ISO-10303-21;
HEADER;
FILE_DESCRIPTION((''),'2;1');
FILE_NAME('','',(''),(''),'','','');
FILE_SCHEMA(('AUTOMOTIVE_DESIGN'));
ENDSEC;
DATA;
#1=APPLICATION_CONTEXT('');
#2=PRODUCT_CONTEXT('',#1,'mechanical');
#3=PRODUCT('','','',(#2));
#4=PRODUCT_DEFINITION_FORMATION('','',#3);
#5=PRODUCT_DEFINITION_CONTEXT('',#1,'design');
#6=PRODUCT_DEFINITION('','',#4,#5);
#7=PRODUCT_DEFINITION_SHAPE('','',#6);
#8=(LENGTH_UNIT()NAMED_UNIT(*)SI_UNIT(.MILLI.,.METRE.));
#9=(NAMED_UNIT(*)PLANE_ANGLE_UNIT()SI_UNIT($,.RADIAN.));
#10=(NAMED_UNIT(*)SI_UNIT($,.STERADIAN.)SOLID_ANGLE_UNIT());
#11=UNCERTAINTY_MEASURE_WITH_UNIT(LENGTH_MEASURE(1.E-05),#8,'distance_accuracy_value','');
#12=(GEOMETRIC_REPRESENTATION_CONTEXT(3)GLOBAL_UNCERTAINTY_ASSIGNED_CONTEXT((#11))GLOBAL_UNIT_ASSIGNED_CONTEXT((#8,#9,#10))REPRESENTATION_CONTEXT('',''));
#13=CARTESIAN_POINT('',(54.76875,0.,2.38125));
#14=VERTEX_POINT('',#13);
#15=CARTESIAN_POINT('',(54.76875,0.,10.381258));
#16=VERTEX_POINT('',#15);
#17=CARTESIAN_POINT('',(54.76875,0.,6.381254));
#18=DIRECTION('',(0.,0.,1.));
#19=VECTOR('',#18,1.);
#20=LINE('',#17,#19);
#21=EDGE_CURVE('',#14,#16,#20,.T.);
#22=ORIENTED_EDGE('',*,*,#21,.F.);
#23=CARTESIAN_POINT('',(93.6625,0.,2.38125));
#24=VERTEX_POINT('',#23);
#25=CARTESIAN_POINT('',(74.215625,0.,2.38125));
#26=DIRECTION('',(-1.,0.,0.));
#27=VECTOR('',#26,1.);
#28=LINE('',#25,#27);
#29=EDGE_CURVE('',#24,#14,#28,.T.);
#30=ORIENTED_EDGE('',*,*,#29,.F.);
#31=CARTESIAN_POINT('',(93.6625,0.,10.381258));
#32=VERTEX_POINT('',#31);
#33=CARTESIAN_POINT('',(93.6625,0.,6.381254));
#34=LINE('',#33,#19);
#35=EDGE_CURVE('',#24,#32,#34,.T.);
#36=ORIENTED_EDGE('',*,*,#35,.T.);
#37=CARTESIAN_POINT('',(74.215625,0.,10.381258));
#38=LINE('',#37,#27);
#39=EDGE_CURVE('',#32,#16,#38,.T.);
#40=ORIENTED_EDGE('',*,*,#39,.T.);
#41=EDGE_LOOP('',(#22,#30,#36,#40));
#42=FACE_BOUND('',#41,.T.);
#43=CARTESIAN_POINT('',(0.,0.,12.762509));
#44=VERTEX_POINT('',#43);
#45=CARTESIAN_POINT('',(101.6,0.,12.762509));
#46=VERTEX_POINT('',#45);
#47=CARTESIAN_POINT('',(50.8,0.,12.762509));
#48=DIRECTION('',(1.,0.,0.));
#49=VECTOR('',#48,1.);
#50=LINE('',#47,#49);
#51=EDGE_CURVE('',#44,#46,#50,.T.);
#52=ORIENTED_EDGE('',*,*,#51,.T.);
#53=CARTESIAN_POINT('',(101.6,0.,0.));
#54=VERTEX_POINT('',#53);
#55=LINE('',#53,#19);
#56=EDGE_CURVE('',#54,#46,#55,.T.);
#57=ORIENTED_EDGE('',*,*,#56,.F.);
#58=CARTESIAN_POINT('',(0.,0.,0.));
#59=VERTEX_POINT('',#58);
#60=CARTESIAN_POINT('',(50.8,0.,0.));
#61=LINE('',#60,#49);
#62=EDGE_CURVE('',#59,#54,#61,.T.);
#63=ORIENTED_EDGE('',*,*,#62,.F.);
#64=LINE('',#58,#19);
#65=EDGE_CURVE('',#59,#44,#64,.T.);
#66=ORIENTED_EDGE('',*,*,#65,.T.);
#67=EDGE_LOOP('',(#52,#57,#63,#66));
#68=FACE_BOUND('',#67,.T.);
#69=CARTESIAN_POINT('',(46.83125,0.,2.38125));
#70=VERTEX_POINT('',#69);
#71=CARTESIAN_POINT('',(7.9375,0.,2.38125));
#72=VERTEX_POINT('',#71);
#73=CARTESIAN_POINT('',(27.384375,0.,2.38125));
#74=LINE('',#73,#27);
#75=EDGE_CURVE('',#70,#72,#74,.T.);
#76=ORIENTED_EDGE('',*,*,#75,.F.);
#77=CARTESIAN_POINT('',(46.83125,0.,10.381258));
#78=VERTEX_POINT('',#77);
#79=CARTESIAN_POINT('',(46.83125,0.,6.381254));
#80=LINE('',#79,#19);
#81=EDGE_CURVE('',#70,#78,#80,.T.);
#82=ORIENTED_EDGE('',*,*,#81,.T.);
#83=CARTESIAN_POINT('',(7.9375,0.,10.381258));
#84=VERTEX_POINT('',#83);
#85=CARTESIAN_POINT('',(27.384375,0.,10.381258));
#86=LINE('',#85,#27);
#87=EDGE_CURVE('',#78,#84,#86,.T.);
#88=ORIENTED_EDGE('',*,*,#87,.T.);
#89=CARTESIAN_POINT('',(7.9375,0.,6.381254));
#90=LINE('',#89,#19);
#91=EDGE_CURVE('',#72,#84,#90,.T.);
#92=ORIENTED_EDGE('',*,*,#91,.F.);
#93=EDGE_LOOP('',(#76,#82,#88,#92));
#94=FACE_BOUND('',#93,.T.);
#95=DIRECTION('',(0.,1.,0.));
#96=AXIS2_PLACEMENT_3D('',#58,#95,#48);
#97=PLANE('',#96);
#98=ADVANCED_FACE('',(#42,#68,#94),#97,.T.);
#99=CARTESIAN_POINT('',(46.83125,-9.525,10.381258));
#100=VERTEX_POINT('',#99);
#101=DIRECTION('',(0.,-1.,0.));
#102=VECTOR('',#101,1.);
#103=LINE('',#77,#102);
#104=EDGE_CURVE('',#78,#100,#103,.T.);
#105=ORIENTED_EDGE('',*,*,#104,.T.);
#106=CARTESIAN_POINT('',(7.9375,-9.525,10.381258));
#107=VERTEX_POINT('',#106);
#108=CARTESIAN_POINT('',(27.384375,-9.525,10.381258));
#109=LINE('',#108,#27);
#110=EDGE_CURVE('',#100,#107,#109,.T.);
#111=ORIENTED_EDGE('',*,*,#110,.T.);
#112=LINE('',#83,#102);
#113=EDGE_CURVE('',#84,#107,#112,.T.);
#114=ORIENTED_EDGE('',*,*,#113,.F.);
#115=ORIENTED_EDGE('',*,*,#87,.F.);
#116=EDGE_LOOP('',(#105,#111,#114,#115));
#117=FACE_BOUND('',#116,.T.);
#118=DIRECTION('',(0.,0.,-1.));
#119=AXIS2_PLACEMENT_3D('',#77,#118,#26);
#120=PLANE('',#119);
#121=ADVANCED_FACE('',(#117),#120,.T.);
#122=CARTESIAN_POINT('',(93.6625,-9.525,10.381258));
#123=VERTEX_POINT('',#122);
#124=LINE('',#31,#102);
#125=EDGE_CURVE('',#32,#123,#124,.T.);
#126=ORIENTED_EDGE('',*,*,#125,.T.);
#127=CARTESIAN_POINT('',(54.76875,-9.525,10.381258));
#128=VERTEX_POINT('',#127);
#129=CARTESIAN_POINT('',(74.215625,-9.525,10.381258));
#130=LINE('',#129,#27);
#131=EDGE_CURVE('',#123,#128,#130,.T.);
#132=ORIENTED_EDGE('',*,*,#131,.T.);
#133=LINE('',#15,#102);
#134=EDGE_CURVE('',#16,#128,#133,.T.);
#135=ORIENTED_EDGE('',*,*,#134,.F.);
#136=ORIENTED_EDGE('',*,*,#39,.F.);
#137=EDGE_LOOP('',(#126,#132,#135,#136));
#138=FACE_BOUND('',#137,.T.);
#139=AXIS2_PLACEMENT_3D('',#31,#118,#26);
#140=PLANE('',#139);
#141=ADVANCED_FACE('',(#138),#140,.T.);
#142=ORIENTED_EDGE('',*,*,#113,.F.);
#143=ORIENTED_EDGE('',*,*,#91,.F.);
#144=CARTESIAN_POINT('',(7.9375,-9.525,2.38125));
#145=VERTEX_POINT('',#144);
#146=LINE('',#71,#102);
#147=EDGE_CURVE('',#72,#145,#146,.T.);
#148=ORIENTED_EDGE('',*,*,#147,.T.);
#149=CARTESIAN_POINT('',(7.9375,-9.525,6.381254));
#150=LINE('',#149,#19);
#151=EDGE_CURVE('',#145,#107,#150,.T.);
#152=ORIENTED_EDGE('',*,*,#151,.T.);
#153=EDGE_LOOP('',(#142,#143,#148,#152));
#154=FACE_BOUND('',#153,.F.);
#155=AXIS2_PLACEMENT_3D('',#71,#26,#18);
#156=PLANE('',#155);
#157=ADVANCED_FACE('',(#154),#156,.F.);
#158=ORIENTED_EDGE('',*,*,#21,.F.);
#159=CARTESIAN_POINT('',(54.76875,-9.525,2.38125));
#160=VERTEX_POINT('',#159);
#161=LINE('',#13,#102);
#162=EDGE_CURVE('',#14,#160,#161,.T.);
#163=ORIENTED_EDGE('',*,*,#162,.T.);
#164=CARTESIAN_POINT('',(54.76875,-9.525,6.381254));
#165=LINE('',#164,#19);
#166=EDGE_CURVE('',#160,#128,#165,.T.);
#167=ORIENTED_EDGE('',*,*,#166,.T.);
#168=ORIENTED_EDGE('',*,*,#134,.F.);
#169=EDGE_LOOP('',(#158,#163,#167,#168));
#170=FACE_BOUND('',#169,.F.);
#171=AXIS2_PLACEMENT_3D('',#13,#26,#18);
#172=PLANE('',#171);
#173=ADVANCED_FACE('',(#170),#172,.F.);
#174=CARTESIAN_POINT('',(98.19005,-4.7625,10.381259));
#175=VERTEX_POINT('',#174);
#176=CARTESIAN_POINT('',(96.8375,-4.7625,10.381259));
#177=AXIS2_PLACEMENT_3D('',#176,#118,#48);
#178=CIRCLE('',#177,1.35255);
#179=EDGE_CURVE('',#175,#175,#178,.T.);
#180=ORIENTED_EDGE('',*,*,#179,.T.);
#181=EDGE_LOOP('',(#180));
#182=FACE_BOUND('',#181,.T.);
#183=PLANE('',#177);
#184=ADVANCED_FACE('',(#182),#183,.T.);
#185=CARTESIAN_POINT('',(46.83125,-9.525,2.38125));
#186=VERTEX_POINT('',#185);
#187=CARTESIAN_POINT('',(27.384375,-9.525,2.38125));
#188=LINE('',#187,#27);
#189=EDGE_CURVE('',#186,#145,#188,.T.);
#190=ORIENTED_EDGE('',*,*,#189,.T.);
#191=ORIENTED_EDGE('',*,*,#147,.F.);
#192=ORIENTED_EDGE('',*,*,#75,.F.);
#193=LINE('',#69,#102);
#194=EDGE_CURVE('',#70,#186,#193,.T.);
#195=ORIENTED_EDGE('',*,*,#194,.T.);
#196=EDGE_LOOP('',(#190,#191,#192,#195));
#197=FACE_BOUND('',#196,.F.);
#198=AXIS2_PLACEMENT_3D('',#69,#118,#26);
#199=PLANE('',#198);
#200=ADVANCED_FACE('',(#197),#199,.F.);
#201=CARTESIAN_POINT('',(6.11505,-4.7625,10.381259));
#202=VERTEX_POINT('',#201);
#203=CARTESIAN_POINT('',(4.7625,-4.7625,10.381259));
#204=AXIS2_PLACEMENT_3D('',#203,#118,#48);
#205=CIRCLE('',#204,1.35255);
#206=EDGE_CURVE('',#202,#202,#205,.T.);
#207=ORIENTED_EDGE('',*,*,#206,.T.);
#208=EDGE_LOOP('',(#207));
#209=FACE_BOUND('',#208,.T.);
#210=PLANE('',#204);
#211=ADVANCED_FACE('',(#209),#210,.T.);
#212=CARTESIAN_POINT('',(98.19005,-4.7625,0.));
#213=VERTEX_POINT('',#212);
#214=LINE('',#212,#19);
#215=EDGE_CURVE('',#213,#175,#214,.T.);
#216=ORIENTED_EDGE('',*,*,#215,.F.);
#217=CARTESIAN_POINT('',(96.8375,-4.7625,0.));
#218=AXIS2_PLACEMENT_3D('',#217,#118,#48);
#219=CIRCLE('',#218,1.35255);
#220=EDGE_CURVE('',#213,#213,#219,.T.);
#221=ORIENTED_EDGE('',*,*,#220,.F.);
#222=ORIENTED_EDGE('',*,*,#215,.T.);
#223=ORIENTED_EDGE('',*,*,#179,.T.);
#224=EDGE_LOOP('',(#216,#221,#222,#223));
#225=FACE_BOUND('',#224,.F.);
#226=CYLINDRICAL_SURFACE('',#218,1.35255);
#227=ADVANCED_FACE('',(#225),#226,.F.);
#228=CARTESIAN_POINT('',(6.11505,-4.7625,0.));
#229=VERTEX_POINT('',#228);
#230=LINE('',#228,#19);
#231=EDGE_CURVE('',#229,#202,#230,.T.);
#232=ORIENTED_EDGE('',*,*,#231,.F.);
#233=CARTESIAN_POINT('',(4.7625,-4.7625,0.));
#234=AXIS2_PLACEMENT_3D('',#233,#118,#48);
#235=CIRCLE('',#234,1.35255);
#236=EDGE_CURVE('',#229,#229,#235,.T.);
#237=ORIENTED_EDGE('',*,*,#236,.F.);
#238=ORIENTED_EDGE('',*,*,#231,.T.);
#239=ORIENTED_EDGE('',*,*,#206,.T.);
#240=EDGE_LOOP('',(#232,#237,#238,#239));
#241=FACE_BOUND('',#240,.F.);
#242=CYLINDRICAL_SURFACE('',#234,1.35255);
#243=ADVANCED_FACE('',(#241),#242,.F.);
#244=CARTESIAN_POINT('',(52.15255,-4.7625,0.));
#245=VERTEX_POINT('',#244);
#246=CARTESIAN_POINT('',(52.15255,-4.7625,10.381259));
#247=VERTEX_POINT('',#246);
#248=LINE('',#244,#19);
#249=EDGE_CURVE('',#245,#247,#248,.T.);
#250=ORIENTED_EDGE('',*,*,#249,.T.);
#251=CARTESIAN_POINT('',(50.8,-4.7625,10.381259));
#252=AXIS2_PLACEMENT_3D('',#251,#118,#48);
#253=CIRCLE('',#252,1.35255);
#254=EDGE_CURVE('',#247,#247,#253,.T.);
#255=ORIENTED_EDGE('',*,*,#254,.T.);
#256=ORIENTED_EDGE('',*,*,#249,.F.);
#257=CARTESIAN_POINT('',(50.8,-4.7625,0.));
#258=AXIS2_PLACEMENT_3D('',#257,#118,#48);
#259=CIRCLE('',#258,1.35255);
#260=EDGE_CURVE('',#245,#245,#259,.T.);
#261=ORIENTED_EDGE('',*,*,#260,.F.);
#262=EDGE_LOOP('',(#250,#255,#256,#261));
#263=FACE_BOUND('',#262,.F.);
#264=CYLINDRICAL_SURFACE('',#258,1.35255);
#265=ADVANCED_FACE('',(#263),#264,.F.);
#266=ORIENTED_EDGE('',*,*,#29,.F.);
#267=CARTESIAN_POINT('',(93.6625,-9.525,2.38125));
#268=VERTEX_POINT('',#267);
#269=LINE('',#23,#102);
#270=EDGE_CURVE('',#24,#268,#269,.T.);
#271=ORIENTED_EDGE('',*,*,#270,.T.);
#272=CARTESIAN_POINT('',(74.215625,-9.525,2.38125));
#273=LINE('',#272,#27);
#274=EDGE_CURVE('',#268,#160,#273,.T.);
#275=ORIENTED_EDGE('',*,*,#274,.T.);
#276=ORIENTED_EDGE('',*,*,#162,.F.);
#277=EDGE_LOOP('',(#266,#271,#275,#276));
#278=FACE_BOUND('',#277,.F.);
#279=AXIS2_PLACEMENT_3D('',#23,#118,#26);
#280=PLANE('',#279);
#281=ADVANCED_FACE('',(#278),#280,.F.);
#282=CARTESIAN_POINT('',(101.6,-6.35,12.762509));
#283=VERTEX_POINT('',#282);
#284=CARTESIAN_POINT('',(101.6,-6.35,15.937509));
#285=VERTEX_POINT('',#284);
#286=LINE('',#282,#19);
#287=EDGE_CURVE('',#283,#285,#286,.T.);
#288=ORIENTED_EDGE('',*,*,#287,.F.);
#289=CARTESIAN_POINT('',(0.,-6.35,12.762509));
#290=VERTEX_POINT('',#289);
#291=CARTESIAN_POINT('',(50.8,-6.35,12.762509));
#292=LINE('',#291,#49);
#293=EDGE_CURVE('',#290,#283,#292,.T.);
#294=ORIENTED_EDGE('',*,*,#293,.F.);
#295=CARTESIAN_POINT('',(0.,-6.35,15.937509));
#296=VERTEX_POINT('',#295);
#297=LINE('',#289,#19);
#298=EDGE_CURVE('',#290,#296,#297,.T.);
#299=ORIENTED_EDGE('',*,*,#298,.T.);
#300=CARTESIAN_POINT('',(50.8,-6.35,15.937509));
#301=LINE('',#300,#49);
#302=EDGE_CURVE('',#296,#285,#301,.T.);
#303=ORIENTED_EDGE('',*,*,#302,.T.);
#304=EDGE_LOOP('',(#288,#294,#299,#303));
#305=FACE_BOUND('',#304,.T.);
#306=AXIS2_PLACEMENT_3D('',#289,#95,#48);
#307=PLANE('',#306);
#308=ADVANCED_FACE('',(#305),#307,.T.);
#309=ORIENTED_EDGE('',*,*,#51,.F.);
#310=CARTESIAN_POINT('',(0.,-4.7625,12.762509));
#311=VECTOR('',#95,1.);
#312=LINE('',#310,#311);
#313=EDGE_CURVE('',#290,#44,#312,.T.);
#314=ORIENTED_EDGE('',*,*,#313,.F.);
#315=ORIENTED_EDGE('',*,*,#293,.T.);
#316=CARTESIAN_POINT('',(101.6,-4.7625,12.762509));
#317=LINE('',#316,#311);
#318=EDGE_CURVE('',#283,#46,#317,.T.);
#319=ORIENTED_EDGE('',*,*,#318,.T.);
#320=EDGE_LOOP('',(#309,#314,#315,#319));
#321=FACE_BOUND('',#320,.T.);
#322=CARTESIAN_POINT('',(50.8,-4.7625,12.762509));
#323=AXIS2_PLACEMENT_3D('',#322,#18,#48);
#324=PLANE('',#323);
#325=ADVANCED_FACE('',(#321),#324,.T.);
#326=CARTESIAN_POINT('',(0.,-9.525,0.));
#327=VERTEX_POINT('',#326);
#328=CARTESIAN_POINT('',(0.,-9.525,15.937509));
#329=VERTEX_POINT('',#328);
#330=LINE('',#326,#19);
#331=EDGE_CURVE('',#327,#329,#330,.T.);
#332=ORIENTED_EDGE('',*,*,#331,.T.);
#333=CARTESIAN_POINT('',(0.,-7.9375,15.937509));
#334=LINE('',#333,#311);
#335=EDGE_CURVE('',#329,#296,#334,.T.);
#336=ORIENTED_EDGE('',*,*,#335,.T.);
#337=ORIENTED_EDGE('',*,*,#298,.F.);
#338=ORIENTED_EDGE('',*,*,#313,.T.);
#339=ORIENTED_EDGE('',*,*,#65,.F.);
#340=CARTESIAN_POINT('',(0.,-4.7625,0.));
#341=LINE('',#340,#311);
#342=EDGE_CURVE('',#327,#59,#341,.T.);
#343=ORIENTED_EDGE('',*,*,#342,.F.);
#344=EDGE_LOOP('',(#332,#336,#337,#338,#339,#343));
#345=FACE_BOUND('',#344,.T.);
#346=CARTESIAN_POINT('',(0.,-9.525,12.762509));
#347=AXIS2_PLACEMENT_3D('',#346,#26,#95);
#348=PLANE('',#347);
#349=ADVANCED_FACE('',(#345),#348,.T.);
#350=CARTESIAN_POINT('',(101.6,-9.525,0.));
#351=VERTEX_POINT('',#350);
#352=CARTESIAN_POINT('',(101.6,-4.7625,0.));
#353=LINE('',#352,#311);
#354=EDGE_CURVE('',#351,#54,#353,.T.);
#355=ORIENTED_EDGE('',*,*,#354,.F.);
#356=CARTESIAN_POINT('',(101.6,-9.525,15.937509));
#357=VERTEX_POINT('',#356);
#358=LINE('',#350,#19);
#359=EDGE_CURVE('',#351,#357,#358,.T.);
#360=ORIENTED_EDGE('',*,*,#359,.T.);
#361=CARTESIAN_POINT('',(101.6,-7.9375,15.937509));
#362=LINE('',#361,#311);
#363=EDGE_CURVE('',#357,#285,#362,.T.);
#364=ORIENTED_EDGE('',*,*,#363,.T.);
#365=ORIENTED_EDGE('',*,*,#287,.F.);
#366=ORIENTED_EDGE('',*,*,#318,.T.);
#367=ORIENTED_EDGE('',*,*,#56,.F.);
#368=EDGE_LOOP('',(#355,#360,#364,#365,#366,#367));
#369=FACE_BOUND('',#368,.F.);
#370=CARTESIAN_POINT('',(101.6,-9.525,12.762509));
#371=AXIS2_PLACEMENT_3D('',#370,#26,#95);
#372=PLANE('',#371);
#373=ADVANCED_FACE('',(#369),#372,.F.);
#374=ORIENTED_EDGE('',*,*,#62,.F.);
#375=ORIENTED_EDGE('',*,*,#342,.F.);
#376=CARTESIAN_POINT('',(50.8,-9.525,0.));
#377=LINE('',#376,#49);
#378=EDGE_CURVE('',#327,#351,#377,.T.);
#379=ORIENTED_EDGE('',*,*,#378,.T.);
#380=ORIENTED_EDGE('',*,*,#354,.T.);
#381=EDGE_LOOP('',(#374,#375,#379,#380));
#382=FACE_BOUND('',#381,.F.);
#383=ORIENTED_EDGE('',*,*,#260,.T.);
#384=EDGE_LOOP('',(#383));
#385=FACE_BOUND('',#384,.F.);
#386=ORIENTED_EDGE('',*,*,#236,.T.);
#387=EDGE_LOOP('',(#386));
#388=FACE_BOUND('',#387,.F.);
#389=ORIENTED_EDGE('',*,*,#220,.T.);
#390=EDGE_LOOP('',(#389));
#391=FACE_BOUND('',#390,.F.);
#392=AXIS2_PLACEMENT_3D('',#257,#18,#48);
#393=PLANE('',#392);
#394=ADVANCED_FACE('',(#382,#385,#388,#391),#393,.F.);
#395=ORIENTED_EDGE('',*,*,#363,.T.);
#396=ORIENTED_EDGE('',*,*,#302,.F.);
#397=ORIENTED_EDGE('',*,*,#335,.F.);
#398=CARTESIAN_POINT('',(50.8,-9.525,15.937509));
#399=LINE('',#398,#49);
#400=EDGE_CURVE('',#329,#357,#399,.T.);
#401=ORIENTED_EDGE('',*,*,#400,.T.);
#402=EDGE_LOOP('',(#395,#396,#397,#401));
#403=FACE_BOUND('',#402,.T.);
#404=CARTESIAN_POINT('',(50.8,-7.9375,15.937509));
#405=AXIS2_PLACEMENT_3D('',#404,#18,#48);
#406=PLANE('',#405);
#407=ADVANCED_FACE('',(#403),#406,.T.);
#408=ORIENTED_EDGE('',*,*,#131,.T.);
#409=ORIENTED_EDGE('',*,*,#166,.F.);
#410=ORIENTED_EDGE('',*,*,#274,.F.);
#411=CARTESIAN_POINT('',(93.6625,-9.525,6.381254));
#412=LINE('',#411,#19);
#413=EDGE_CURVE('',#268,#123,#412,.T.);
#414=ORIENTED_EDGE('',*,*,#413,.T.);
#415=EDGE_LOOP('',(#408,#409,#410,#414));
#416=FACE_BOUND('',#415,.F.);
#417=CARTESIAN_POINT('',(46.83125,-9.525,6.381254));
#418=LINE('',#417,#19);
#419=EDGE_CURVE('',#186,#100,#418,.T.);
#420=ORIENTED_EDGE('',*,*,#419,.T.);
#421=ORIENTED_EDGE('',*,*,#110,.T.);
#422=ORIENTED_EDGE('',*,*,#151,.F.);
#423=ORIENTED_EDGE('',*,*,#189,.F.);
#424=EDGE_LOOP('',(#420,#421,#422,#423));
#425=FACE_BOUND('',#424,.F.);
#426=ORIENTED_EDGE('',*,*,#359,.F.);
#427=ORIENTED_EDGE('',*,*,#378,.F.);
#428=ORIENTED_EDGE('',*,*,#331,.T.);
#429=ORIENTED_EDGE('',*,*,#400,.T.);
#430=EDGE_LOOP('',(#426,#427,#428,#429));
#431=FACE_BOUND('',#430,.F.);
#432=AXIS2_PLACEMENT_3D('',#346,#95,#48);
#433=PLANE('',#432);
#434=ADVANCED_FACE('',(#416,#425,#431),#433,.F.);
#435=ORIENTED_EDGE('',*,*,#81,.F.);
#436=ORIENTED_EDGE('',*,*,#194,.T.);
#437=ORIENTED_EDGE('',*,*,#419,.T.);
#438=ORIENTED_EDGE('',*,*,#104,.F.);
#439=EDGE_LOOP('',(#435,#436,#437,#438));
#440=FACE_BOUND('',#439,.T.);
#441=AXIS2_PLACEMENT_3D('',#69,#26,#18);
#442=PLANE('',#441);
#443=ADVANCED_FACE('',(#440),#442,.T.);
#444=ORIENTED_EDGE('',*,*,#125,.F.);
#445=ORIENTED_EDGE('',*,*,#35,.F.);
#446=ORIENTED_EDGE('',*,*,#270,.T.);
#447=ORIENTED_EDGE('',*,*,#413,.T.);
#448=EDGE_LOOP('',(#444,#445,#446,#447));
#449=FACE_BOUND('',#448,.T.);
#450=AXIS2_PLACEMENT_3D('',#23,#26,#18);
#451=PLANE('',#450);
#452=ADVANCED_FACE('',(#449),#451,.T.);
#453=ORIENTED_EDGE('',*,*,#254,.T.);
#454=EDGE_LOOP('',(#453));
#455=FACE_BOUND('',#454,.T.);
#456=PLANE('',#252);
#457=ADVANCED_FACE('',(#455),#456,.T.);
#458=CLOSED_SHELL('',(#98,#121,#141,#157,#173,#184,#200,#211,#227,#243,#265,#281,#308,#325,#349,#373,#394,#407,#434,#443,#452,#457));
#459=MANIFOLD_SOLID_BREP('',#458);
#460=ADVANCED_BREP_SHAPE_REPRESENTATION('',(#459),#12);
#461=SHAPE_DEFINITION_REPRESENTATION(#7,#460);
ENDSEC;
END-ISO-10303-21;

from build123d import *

# Parameters (mm, degrees)
F0_W     = 101.6
F0_H     = 9.525
F1_DEPTH = 12.762509
F2_W     = 101.6
F2_H     = 3.175
F3_DEPTH = 3.175
F4_W     = 38.89375
F4_H     = 8.000009
F5_DEPTH = 9.525
F6_R     = 1.35255
F7_DEPTH = 10.381259


with BuildPart() as f1:
    # F0 (on Top) → F1 (new body)
    with BuildSketch(Plane.XY):
        with Locations((50.8, -4.7625)):
            Rectangle(F0_W, F0_H)
    extrude(amount=F1_DEPTH)

    # F2 (on face) → F3 (join)
    with BuildSketch(Plane.XY.offset(12.762509)):
        with Locations((50.8, -7.9375)):
            Rectangle(F2_W, F2_H)
    extrude(amount=F3_DEPTH)

    # F4 (on face) → F5 (cut, through all)
    with BuildSketch(Plane(origin=(0, 0, 0), x_dir=(-1, 0, 0), z_dir=(0, 1, 0))):
        with Locations((-74.215625, 6.381254)):
            Rectangle(F4_W, F4_H)
        with Locations((-27.384375, 6.381254)):
            Rectangle(F4_W, F4_H)
    extrude(amount=-F5_DEPTH, mode=Mode.SUBTRACT)

    # F6 (on face) → F7 (cut, through all)
    with BuildSketch(Plane(origin=(0, 0, 0), x_dir=(1, 0, 0), z_dir=(0, 0, -1))):
        with Locations((96.8375, 4.7625)):
            Circle(F6_R)
        with Locations((50.8, 4.7625)):
            Circle(F6_R)
        with Locations((4.7625, 4.7625)):
            Circle(F6_R)
    extrude(amount=-F7_DEPTH, mode=Mode.SUBTRACT)


solid = f1.part
